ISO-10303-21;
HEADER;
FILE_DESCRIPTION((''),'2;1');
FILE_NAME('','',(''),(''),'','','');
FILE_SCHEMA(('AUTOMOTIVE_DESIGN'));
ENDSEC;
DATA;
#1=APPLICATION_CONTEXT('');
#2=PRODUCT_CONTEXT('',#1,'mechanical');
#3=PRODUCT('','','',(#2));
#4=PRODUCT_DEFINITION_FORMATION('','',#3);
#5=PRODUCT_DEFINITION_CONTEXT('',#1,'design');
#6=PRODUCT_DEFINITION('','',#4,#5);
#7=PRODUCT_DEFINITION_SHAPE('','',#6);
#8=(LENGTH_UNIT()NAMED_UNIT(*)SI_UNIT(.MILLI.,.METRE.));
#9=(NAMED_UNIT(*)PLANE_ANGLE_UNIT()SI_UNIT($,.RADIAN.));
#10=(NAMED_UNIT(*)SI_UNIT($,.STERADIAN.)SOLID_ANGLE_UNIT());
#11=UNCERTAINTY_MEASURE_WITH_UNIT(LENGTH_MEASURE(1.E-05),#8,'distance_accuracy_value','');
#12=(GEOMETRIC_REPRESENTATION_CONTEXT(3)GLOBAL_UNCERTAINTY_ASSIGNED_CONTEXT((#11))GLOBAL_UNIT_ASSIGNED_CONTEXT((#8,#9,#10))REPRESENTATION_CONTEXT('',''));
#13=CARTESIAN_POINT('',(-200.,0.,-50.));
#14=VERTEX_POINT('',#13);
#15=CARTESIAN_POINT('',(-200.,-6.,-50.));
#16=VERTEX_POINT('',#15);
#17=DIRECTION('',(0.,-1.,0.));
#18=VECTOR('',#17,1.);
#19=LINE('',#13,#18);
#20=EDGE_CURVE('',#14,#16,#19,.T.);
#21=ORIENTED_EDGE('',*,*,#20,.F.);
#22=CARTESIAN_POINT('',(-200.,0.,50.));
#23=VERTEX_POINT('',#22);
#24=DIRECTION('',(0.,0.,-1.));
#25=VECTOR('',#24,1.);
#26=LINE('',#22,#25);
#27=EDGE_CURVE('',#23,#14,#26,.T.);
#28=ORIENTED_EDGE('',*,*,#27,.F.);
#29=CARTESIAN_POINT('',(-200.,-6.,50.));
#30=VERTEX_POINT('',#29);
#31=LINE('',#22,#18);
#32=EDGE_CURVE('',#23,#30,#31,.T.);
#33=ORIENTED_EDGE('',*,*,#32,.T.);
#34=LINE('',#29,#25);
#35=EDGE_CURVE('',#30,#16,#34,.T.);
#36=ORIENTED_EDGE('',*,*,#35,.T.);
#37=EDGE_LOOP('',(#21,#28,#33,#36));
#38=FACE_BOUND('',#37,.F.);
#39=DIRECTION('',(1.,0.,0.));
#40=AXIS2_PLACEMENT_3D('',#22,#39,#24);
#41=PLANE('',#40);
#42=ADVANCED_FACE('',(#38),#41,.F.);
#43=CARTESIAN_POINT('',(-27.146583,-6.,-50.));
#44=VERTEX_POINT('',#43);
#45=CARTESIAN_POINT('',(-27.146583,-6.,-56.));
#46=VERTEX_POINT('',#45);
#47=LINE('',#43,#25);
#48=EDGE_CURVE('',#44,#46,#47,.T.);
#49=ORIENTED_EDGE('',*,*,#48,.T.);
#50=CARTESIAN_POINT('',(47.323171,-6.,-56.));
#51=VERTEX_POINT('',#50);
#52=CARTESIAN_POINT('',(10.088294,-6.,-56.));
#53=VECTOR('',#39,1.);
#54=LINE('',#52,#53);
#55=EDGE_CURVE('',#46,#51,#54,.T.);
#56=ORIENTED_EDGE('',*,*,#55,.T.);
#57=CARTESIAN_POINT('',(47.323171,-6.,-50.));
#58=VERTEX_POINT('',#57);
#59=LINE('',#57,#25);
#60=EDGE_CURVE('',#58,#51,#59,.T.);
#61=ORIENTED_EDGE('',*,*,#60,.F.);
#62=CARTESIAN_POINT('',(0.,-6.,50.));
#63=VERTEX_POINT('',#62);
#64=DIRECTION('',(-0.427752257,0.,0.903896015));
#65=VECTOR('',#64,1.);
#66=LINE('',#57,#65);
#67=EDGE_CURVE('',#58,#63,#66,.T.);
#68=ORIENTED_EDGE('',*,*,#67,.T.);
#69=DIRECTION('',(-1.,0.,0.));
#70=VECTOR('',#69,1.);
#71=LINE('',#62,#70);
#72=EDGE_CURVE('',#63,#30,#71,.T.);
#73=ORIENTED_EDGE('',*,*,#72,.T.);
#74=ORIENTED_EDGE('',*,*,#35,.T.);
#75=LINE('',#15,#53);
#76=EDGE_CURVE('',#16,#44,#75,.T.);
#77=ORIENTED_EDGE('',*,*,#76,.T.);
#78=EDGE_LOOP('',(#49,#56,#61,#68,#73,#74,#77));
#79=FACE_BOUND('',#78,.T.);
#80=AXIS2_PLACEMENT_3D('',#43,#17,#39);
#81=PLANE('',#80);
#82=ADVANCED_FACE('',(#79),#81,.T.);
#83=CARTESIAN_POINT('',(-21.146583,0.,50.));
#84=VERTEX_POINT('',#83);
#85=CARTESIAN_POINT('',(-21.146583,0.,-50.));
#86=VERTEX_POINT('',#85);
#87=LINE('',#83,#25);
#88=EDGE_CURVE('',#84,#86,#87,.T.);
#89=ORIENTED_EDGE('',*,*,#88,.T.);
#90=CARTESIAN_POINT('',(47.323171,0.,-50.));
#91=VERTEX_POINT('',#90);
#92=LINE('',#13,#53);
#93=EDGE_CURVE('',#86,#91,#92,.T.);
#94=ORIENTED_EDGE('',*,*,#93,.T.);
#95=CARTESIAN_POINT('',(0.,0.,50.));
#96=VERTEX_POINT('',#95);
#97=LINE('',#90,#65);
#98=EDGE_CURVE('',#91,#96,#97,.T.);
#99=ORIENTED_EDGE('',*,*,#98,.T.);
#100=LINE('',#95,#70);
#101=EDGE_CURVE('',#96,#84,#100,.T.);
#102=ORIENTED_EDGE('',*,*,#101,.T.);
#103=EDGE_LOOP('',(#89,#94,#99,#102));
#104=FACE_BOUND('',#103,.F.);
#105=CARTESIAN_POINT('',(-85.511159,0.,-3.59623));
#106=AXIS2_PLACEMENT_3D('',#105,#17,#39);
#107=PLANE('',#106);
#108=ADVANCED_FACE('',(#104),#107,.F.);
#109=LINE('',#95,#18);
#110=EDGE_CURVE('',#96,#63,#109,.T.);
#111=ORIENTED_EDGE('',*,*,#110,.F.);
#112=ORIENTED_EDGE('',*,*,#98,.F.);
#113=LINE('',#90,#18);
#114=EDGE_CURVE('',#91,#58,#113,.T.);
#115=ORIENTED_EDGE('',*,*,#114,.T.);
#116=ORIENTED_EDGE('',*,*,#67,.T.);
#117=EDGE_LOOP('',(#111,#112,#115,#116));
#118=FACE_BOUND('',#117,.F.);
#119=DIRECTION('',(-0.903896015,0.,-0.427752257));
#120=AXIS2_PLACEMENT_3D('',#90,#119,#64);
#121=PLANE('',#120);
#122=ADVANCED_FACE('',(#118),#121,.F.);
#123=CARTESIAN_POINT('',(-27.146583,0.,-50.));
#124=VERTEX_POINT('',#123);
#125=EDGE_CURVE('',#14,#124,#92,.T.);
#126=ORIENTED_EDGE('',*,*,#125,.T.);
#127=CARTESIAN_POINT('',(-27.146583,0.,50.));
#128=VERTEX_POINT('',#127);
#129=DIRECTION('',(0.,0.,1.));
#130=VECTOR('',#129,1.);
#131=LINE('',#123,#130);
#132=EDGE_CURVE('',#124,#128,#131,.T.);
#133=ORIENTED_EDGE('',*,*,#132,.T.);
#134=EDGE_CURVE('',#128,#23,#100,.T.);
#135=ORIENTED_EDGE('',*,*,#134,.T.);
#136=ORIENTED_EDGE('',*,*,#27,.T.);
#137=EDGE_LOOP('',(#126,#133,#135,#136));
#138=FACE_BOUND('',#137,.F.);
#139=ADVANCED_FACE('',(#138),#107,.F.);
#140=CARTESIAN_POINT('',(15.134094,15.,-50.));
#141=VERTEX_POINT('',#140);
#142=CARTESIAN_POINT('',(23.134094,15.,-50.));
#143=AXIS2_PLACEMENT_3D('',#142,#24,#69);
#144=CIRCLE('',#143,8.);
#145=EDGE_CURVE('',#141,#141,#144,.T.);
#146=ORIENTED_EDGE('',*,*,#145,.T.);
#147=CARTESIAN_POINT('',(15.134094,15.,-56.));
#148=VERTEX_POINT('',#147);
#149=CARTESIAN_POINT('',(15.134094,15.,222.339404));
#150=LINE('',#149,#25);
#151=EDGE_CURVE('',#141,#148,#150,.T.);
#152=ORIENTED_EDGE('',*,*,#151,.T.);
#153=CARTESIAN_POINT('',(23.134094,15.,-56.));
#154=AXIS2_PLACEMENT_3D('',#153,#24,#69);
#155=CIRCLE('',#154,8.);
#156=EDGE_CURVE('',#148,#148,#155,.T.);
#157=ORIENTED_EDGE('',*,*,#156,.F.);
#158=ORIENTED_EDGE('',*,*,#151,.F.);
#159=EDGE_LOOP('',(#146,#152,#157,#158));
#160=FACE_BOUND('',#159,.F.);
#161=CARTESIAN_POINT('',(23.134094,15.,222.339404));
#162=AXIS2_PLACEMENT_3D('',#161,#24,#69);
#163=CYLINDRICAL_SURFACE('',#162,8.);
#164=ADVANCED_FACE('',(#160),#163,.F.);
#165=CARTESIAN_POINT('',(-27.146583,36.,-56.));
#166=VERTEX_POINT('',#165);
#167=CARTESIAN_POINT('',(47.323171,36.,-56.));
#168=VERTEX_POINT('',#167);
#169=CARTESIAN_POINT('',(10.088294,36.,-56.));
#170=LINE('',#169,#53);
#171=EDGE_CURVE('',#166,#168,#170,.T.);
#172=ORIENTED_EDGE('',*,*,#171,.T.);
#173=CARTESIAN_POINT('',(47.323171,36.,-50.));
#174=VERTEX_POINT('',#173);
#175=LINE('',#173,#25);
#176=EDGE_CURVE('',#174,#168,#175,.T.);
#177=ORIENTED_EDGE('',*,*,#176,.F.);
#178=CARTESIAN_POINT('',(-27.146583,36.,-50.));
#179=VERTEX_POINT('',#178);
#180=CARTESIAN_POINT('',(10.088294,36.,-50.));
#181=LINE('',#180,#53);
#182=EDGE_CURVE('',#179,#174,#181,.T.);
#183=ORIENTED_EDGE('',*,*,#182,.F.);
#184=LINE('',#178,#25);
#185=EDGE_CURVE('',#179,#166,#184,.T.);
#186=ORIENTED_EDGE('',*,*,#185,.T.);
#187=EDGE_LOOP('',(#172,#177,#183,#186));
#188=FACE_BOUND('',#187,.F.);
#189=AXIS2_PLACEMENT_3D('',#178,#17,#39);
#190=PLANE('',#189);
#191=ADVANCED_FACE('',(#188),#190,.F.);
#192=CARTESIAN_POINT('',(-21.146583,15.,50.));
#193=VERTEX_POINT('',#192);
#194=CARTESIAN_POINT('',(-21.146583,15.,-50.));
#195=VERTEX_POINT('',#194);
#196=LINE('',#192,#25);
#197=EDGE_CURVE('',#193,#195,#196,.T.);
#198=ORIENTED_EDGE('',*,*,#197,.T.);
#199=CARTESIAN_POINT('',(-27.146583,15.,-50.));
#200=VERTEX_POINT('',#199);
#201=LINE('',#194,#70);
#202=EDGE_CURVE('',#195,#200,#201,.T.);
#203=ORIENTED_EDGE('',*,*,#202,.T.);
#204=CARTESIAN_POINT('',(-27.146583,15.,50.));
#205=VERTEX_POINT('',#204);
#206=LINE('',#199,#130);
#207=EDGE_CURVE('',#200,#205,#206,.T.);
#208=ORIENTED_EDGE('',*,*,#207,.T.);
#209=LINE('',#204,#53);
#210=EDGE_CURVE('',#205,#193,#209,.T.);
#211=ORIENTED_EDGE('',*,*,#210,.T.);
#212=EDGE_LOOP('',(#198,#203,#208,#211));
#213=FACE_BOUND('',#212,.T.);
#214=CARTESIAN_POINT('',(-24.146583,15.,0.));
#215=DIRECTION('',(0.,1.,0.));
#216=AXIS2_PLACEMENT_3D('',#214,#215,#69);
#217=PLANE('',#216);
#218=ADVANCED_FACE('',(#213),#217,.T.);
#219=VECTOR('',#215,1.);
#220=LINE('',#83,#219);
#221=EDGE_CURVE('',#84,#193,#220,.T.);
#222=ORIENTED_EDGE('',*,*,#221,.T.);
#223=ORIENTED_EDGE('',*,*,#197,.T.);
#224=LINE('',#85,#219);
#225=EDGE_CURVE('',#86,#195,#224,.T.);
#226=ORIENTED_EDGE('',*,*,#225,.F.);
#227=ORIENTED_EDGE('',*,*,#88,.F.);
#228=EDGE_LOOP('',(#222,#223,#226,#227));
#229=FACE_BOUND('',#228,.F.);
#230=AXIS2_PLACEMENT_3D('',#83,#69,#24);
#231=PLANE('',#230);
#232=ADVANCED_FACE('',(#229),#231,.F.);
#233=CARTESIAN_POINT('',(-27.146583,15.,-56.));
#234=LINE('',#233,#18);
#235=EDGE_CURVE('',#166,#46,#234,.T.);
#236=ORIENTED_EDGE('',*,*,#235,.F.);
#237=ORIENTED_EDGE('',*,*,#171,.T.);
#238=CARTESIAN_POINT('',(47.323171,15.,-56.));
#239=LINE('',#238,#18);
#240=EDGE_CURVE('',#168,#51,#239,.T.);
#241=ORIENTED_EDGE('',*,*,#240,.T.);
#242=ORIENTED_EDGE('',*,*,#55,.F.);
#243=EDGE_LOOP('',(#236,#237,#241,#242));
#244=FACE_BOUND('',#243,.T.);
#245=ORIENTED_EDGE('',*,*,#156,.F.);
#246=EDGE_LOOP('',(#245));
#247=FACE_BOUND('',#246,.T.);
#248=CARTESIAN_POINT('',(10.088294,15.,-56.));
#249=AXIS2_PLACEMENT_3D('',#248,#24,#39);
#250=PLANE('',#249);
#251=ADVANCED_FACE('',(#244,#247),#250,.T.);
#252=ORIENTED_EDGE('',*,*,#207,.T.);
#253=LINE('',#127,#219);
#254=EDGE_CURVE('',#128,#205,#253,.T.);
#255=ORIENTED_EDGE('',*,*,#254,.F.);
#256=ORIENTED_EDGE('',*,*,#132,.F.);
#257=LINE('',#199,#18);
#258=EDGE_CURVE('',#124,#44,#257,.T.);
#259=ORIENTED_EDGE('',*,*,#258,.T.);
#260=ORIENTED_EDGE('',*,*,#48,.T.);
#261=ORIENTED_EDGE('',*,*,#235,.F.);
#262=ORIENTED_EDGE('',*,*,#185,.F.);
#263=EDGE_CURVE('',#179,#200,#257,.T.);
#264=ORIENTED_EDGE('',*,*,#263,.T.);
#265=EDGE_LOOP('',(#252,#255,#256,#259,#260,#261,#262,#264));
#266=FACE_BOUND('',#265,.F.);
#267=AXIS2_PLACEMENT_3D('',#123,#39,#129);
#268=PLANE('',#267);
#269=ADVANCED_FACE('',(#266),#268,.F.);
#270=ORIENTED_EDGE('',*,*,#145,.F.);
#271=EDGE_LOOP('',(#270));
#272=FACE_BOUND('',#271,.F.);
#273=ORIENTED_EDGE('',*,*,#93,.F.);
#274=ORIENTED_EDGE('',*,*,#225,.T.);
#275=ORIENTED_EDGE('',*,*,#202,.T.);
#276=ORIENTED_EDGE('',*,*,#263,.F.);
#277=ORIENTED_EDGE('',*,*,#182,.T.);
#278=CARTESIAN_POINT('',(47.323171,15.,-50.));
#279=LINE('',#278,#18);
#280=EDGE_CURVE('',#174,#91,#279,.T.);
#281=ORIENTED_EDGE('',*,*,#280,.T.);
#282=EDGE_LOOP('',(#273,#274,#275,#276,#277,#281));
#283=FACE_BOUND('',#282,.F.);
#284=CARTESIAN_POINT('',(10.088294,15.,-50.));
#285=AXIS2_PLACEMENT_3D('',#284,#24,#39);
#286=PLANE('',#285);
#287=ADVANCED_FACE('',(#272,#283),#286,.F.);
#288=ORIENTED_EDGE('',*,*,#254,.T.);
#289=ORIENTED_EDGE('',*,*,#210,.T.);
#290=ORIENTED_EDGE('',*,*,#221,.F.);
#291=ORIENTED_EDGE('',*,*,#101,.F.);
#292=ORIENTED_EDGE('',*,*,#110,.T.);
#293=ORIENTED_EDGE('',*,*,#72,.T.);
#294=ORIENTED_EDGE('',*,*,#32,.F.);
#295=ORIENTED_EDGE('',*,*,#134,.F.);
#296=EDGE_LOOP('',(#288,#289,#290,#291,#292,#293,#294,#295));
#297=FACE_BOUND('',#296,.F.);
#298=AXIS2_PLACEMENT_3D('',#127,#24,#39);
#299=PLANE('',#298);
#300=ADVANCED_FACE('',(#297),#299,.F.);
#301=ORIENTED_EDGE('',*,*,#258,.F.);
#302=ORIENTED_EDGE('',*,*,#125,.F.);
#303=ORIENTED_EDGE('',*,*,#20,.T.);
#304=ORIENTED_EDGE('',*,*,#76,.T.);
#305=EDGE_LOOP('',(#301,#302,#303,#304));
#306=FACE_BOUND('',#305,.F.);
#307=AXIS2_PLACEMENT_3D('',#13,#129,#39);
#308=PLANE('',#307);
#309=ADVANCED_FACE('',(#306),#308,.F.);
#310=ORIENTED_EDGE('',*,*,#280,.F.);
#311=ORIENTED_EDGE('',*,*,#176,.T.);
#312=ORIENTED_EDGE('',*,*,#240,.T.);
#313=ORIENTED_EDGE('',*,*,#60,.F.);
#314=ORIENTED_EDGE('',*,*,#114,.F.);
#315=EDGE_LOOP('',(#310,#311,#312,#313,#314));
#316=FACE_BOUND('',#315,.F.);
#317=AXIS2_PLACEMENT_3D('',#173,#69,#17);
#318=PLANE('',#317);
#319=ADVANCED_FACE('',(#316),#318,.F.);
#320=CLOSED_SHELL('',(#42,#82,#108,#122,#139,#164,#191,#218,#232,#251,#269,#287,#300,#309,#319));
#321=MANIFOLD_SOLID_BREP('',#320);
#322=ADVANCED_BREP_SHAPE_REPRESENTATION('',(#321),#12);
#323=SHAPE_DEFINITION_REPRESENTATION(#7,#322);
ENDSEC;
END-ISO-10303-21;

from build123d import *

# Parameters (mm, degrees)
F1_DEPTH = 6
F2_W     = 74.469754
F2_H     = 42
F3_DEPTH = 6
F5_D     = 16
F7_DEPTH = 15


with BuildPart() as f1:
    # F0 (on Front) → F1 (new body)
    with BuildSketch(Plane.XZ):
        Polygon((0, 50), (-200, 50), (-200, -50), (0, -50), (47.323171, -50), align=None)
    extrude(amount=F1_DEPTH)

    # F2 (on face) → F3 (join)
    with BuildSketch(Plane(origin=(0, 0, -50), x_dir=(1, 0, 0), z_dir=(0, 0, -1))):
        with Locations((10.088294, -15)):
            Rectangle(F2_W, F2_H)
    extrude(amount=F3_DEPTH)

    # F5 (through all)
    with Locations(Plane.XY.offset(-50)):
        with Locations((23.134094, 15)):
            Hole(F5_D / 2)

    # F6 (on face) → F7 (join)
    with BuildSketch(Plane(origin=(0, 0, 0), x_dir=(-1, 0, 0), z_dir=(0, 1, 0))):
        Polygon((27.146583, 50), (21.146583, 50), (21.146583, -50), (25.706659, -50), (27.146583, -50), align=None)
    extrude(amount=F7_DEPTH)


solid = f1.part
